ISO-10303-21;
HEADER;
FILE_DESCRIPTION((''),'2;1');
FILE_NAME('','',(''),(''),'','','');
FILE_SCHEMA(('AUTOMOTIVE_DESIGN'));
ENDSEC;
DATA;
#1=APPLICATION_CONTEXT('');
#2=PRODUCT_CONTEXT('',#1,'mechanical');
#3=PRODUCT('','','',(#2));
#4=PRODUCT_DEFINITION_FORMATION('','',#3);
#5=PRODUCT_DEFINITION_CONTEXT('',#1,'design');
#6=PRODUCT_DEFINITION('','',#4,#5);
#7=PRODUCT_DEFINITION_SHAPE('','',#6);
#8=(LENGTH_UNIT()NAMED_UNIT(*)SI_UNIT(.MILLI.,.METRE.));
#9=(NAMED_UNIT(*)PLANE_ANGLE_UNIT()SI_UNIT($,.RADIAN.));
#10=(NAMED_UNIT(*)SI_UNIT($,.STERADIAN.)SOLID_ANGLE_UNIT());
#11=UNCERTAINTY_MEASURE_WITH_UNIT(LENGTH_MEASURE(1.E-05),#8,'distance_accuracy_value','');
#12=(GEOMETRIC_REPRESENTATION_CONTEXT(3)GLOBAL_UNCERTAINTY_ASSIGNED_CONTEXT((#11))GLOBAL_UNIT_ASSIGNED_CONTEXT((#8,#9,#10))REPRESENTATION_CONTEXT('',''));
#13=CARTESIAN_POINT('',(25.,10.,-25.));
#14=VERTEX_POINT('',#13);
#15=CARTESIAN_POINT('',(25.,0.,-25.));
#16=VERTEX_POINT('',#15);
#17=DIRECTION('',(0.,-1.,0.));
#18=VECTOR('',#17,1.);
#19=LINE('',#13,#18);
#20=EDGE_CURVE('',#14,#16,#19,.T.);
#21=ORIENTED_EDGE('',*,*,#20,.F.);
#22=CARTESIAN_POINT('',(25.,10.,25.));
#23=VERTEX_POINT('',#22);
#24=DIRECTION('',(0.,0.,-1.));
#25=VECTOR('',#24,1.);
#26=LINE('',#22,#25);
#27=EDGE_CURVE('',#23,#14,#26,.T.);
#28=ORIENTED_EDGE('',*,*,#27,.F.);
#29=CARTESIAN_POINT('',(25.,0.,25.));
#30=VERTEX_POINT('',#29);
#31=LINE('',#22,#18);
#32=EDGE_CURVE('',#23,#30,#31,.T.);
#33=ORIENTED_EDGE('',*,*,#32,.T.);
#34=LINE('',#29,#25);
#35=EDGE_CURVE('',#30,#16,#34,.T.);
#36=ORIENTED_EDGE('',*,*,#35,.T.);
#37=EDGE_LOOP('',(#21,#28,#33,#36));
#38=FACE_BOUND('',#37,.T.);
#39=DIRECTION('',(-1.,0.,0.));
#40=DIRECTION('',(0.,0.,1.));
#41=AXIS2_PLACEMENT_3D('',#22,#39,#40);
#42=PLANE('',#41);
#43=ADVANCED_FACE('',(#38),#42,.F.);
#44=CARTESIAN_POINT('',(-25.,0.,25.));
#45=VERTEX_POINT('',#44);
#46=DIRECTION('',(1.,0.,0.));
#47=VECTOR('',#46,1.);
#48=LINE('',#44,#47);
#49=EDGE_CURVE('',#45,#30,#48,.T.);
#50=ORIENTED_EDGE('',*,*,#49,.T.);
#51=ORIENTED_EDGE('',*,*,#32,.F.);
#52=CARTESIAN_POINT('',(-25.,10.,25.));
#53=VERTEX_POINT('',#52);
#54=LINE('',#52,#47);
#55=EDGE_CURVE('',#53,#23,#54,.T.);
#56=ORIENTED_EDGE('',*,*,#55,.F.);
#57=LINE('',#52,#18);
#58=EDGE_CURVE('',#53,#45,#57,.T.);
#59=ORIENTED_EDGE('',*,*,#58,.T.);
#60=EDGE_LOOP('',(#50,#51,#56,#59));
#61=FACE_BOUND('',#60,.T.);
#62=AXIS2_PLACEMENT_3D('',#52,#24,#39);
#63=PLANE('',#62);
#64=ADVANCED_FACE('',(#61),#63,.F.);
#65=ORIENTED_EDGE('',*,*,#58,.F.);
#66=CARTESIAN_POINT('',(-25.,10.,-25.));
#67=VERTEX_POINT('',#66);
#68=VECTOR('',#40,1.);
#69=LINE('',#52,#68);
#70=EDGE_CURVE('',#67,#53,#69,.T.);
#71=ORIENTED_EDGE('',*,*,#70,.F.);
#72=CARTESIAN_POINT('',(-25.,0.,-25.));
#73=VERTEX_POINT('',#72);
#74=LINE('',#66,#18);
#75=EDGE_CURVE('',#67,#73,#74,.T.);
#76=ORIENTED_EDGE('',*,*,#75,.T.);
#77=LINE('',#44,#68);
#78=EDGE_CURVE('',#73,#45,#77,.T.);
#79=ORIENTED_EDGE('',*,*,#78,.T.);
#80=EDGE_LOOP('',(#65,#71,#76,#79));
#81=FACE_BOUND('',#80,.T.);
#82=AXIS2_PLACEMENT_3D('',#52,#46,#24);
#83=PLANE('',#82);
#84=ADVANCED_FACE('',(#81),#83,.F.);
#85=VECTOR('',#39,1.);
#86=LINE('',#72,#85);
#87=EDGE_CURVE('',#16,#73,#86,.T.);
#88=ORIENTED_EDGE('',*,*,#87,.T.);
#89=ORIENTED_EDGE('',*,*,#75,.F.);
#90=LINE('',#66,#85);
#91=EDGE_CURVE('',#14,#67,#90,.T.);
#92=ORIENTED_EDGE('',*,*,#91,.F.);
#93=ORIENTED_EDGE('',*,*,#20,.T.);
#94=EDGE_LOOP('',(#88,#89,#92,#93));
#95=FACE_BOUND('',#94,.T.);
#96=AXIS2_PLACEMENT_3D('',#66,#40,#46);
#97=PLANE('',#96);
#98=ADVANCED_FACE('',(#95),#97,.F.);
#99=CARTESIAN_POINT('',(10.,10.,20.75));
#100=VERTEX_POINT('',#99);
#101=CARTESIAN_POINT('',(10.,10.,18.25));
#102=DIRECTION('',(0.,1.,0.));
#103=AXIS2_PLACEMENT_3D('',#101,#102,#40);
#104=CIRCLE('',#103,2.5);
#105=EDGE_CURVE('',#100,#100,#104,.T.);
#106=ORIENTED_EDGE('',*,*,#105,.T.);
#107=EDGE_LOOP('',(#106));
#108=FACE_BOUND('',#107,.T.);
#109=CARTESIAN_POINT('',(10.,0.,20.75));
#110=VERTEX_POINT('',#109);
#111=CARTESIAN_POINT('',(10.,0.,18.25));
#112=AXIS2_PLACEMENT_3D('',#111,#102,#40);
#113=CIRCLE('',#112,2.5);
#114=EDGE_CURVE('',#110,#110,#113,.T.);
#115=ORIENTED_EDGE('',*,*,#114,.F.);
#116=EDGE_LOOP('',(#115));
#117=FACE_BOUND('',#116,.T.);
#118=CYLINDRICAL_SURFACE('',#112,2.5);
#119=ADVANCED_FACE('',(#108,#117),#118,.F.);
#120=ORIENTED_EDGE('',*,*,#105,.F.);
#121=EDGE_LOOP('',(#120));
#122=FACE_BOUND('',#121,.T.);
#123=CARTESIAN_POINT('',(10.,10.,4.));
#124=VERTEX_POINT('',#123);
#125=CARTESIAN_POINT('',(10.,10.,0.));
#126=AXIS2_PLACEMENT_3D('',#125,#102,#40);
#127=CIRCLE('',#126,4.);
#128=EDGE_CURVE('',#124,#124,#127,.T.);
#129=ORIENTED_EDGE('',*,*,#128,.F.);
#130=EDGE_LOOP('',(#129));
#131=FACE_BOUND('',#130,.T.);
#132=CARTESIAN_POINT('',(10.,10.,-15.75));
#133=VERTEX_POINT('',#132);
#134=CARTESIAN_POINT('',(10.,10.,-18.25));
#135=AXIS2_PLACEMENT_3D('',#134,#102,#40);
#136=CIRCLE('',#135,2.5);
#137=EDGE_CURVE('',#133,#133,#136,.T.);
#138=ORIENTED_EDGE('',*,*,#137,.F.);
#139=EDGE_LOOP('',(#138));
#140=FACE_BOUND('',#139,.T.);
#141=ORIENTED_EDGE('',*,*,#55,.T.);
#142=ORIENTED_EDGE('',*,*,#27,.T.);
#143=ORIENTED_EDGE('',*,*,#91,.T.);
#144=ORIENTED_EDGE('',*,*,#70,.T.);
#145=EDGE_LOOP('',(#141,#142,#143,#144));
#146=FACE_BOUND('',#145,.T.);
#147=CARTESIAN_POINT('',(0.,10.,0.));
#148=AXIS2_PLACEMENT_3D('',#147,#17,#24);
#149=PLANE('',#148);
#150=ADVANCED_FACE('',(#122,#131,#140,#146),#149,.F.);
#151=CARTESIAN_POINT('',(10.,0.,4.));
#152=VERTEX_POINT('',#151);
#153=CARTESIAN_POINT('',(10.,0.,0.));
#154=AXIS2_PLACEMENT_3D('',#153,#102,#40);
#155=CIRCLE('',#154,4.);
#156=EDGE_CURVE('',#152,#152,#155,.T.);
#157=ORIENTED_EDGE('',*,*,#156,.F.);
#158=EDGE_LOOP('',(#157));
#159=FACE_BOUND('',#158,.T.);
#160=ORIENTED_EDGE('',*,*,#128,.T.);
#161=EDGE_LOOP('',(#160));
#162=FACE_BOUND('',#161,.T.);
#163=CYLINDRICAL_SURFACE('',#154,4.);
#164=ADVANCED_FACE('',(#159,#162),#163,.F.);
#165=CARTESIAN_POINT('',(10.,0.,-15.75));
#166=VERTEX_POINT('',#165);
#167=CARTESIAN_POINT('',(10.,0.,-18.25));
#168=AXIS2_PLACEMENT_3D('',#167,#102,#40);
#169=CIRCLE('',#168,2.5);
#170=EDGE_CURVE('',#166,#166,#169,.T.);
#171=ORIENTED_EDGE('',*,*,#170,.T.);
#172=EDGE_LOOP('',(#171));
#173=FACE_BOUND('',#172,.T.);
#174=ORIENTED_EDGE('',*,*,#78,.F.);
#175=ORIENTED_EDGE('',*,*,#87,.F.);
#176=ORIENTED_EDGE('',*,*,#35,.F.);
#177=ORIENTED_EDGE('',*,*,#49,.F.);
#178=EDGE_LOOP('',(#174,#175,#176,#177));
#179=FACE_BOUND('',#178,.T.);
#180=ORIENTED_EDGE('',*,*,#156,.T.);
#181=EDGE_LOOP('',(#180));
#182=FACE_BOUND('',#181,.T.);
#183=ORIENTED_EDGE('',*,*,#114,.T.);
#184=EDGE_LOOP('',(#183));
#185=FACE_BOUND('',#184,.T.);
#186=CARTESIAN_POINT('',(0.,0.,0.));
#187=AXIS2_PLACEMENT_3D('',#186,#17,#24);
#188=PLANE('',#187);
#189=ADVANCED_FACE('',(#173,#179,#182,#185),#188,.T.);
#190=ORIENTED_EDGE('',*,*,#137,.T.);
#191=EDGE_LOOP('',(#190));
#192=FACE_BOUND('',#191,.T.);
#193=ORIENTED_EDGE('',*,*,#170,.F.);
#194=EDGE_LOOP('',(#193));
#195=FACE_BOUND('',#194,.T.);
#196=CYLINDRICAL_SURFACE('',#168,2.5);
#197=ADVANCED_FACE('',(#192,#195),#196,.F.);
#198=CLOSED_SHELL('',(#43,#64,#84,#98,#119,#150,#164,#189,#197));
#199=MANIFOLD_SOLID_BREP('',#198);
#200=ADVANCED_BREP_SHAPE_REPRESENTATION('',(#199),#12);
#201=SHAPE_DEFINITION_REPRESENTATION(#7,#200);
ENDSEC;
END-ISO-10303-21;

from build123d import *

# Parameters (mm, degrees)
ESBO_O2_W                = 50
ESBO_O2_H                = 50
RESSALTO_EXTRUS_O2_DEPTH = 10
ESBO_O5_R                = 2.5
CORTE_EXTRUS_O5_DEPTH    = 37.742346142
ESBO_O6_R                = 4
CORTE_EXTRUS_O6_DEPTH    = 10


with BuildPart() as part:
    # Esboço2 → Ressalto-extrusão2 (new body)
    with BuildSketch(Plane(origin=(0, 0, 0), x_dir=(1, 0, 0), z_dir=(0, 1, 0))):
        Rectangle(ESBO_O2_W, ESBO_O2_H)
    extrude(amount=RESSALTO_EXTRUS_O2_DEPTH)

    # Esboço5 → Corte-extrusão5 (cut, through all)
    with BuildSketch(Plane(origin=(0, 10, 0), x_dir=(1, 0, 0), z_dir=(0, 1, 0))):
        with Locations(Location((10, 18.25, 0), (0, 0, 270))):
            Circle(ESBO_O5_R)
        with Locations(Location((10, -18.25, 0), (0, 0, 270))):
            Circle(ESBO_O5_R)
    extrude(amount=-CORTE_EXTRUS_O5_DEPTH, mode=Mode.SUBTRACT)

    # Esboço6 → Corte-extrusão6 (cut)
    with BuildSketch(Plane(origin=(0, 10, 0), x_dir=(1, 0, 0), z_dir=(0, 1, 0))):
        with Locations(Location((10, 0, 0), (0, 0, 270))):
            Circle(ESBO_O6_R)
    extrude(amount=-CORTE_EXTRUS_O6_DEPTH, mode=Mode.SUBTRACT)


solid = part.part
